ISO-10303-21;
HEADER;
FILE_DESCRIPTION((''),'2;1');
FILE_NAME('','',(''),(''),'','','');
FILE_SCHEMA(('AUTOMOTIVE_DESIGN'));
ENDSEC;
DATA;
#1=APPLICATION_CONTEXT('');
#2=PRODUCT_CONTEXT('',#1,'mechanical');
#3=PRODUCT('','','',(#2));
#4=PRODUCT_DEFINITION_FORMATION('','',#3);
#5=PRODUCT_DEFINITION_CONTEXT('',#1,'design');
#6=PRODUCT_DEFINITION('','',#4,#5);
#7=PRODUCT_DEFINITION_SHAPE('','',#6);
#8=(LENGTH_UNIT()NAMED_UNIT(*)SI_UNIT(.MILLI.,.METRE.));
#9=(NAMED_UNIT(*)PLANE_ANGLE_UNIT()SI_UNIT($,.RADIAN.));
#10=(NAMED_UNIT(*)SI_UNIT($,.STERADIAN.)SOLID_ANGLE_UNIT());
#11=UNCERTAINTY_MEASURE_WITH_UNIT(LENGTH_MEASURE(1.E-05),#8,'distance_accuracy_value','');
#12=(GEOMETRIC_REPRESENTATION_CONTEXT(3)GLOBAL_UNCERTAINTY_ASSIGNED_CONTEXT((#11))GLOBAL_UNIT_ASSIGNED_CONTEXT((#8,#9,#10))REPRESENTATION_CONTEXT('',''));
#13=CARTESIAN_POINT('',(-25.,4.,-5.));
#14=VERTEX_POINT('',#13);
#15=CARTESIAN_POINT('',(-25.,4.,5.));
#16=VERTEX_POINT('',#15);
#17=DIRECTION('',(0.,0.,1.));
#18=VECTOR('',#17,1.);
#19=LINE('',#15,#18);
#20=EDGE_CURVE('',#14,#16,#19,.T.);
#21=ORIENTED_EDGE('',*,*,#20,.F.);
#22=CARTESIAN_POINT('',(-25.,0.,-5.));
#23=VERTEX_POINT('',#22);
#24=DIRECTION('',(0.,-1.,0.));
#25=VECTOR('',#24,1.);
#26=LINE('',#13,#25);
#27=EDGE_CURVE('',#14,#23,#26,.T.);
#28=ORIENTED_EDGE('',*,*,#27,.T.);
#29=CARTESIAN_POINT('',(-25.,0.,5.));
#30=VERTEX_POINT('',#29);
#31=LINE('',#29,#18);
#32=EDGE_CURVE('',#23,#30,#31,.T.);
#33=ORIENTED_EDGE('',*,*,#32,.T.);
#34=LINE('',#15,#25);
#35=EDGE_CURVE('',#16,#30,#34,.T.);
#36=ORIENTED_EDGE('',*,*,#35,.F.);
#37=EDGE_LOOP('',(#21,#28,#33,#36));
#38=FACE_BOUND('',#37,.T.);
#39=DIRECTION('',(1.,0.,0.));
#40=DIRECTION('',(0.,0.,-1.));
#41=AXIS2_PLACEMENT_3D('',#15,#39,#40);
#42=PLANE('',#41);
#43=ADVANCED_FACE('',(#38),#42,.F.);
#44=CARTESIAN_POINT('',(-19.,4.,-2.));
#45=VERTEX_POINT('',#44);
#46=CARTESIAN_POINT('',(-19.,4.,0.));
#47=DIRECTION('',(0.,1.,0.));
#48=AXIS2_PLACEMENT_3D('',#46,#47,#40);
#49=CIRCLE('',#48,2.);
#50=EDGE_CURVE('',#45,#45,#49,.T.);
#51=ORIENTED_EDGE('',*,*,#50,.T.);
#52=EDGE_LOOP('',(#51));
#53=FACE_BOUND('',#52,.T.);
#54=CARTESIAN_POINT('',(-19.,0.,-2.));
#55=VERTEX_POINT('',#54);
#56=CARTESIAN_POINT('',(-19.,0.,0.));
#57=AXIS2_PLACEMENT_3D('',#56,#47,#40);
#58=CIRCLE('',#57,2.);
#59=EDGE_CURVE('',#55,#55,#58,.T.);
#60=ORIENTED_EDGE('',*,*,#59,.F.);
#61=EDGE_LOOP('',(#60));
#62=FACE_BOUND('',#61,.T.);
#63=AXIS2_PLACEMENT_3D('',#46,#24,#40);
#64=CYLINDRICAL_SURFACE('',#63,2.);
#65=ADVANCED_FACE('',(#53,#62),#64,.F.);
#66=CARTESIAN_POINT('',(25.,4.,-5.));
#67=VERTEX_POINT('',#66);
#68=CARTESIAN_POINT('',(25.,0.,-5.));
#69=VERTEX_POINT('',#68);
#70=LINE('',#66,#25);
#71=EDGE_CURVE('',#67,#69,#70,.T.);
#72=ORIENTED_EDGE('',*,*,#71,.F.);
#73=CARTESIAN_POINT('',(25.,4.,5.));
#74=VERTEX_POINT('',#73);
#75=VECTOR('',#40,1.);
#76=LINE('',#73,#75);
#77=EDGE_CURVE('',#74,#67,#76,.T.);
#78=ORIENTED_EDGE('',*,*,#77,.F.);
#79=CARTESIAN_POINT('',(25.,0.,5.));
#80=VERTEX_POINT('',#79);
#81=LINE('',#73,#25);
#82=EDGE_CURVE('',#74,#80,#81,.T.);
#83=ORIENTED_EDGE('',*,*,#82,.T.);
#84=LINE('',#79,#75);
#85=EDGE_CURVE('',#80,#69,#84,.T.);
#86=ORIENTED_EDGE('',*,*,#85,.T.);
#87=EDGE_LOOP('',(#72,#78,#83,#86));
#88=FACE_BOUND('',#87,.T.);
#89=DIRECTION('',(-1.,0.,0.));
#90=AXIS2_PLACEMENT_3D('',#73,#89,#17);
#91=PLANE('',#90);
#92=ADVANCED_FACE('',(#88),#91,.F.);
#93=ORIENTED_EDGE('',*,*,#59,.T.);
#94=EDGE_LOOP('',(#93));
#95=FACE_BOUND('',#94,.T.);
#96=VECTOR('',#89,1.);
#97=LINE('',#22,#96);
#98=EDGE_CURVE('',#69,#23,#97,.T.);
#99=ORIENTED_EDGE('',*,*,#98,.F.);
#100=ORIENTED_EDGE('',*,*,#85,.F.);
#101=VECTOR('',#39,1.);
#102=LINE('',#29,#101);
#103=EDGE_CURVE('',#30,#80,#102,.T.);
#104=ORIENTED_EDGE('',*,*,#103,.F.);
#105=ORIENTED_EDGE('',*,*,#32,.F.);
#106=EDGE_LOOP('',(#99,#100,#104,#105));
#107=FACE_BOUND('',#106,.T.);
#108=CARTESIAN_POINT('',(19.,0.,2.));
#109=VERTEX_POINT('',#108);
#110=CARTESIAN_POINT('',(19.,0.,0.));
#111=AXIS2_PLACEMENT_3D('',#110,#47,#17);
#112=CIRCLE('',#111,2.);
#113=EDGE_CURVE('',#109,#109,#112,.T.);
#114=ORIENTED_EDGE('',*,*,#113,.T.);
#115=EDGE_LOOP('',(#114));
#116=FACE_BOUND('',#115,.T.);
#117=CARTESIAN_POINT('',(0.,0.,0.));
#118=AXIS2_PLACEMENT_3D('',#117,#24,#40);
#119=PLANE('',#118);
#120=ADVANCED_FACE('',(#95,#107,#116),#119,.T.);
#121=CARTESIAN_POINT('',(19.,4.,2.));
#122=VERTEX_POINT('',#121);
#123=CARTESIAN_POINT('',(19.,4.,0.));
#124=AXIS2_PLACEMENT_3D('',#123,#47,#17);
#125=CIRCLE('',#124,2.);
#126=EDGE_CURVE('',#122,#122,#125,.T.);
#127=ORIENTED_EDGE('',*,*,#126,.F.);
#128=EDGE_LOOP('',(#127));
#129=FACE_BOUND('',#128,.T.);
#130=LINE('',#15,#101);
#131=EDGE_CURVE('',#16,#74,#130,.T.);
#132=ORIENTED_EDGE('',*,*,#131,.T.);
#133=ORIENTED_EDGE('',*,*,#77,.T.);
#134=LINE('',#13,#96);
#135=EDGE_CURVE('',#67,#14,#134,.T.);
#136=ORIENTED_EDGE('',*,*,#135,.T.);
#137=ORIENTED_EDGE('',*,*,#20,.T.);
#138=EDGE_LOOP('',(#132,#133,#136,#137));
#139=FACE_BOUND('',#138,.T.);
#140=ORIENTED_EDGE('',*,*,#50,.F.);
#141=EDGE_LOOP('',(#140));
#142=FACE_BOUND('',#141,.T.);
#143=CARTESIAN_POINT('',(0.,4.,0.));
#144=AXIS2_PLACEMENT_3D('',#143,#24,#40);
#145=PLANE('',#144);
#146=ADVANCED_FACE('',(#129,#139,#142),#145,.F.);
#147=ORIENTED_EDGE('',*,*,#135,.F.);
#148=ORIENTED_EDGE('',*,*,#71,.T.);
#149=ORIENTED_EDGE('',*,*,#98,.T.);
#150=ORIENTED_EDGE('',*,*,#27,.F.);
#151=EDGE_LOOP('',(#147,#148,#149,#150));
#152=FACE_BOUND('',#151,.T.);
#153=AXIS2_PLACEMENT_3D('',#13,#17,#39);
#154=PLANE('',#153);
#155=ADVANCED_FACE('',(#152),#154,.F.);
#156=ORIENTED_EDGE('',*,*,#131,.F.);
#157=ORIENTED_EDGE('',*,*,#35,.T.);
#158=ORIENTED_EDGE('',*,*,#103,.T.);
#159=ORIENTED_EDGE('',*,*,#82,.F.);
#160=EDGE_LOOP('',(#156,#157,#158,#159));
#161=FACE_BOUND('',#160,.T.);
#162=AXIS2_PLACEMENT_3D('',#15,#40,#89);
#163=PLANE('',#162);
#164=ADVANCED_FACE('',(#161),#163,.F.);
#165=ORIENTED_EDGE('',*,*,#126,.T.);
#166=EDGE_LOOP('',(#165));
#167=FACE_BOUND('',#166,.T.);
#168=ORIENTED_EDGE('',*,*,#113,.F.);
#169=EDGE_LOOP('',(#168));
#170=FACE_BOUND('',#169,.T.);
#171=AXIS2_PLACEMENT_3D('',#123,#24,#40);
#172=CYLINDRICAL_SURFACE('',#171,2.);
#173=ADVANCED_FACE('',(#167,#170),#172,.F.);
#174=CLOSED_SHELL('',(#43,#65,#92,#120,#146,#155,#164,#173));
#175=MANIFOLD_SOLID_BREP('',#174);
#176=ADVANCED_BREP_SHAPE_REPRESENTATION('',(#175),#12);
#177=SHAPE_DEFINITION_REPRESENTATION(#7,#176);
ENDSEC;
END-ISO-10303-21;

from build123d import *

# Parameters (mm, degrees)
SKETCH1_W           = 50
SKETCH1_H           = 10
SKETCH1_R           = 2
BOSS_EXTRUDE1_DEPTH = 4


with BuildPart() as part:
    # Sketch1 → Boss-Extrude1 (new body)
    with BuildSketch(Plane(origin=(0, 0, 0), x_dir=(1, 0, 0), z_dir=(0, 1, 0))):
        Rectangle(SKETCH1_W, SKETCH1_H)
        with Locations(Location((19, 0, 0), (0, 0, 270))):
            Circle(SKETCH1_R, mode=Mode.SUBTRACT)
        with Locations(Location((-19, 0, 0), (0, 0, 90))):
            Circle(SKETCH1_R, mode=Mode.SUBTRACT)
    extrude(amount=BOSS_EXTRUDE1_DEPTH)


solid = part.part
